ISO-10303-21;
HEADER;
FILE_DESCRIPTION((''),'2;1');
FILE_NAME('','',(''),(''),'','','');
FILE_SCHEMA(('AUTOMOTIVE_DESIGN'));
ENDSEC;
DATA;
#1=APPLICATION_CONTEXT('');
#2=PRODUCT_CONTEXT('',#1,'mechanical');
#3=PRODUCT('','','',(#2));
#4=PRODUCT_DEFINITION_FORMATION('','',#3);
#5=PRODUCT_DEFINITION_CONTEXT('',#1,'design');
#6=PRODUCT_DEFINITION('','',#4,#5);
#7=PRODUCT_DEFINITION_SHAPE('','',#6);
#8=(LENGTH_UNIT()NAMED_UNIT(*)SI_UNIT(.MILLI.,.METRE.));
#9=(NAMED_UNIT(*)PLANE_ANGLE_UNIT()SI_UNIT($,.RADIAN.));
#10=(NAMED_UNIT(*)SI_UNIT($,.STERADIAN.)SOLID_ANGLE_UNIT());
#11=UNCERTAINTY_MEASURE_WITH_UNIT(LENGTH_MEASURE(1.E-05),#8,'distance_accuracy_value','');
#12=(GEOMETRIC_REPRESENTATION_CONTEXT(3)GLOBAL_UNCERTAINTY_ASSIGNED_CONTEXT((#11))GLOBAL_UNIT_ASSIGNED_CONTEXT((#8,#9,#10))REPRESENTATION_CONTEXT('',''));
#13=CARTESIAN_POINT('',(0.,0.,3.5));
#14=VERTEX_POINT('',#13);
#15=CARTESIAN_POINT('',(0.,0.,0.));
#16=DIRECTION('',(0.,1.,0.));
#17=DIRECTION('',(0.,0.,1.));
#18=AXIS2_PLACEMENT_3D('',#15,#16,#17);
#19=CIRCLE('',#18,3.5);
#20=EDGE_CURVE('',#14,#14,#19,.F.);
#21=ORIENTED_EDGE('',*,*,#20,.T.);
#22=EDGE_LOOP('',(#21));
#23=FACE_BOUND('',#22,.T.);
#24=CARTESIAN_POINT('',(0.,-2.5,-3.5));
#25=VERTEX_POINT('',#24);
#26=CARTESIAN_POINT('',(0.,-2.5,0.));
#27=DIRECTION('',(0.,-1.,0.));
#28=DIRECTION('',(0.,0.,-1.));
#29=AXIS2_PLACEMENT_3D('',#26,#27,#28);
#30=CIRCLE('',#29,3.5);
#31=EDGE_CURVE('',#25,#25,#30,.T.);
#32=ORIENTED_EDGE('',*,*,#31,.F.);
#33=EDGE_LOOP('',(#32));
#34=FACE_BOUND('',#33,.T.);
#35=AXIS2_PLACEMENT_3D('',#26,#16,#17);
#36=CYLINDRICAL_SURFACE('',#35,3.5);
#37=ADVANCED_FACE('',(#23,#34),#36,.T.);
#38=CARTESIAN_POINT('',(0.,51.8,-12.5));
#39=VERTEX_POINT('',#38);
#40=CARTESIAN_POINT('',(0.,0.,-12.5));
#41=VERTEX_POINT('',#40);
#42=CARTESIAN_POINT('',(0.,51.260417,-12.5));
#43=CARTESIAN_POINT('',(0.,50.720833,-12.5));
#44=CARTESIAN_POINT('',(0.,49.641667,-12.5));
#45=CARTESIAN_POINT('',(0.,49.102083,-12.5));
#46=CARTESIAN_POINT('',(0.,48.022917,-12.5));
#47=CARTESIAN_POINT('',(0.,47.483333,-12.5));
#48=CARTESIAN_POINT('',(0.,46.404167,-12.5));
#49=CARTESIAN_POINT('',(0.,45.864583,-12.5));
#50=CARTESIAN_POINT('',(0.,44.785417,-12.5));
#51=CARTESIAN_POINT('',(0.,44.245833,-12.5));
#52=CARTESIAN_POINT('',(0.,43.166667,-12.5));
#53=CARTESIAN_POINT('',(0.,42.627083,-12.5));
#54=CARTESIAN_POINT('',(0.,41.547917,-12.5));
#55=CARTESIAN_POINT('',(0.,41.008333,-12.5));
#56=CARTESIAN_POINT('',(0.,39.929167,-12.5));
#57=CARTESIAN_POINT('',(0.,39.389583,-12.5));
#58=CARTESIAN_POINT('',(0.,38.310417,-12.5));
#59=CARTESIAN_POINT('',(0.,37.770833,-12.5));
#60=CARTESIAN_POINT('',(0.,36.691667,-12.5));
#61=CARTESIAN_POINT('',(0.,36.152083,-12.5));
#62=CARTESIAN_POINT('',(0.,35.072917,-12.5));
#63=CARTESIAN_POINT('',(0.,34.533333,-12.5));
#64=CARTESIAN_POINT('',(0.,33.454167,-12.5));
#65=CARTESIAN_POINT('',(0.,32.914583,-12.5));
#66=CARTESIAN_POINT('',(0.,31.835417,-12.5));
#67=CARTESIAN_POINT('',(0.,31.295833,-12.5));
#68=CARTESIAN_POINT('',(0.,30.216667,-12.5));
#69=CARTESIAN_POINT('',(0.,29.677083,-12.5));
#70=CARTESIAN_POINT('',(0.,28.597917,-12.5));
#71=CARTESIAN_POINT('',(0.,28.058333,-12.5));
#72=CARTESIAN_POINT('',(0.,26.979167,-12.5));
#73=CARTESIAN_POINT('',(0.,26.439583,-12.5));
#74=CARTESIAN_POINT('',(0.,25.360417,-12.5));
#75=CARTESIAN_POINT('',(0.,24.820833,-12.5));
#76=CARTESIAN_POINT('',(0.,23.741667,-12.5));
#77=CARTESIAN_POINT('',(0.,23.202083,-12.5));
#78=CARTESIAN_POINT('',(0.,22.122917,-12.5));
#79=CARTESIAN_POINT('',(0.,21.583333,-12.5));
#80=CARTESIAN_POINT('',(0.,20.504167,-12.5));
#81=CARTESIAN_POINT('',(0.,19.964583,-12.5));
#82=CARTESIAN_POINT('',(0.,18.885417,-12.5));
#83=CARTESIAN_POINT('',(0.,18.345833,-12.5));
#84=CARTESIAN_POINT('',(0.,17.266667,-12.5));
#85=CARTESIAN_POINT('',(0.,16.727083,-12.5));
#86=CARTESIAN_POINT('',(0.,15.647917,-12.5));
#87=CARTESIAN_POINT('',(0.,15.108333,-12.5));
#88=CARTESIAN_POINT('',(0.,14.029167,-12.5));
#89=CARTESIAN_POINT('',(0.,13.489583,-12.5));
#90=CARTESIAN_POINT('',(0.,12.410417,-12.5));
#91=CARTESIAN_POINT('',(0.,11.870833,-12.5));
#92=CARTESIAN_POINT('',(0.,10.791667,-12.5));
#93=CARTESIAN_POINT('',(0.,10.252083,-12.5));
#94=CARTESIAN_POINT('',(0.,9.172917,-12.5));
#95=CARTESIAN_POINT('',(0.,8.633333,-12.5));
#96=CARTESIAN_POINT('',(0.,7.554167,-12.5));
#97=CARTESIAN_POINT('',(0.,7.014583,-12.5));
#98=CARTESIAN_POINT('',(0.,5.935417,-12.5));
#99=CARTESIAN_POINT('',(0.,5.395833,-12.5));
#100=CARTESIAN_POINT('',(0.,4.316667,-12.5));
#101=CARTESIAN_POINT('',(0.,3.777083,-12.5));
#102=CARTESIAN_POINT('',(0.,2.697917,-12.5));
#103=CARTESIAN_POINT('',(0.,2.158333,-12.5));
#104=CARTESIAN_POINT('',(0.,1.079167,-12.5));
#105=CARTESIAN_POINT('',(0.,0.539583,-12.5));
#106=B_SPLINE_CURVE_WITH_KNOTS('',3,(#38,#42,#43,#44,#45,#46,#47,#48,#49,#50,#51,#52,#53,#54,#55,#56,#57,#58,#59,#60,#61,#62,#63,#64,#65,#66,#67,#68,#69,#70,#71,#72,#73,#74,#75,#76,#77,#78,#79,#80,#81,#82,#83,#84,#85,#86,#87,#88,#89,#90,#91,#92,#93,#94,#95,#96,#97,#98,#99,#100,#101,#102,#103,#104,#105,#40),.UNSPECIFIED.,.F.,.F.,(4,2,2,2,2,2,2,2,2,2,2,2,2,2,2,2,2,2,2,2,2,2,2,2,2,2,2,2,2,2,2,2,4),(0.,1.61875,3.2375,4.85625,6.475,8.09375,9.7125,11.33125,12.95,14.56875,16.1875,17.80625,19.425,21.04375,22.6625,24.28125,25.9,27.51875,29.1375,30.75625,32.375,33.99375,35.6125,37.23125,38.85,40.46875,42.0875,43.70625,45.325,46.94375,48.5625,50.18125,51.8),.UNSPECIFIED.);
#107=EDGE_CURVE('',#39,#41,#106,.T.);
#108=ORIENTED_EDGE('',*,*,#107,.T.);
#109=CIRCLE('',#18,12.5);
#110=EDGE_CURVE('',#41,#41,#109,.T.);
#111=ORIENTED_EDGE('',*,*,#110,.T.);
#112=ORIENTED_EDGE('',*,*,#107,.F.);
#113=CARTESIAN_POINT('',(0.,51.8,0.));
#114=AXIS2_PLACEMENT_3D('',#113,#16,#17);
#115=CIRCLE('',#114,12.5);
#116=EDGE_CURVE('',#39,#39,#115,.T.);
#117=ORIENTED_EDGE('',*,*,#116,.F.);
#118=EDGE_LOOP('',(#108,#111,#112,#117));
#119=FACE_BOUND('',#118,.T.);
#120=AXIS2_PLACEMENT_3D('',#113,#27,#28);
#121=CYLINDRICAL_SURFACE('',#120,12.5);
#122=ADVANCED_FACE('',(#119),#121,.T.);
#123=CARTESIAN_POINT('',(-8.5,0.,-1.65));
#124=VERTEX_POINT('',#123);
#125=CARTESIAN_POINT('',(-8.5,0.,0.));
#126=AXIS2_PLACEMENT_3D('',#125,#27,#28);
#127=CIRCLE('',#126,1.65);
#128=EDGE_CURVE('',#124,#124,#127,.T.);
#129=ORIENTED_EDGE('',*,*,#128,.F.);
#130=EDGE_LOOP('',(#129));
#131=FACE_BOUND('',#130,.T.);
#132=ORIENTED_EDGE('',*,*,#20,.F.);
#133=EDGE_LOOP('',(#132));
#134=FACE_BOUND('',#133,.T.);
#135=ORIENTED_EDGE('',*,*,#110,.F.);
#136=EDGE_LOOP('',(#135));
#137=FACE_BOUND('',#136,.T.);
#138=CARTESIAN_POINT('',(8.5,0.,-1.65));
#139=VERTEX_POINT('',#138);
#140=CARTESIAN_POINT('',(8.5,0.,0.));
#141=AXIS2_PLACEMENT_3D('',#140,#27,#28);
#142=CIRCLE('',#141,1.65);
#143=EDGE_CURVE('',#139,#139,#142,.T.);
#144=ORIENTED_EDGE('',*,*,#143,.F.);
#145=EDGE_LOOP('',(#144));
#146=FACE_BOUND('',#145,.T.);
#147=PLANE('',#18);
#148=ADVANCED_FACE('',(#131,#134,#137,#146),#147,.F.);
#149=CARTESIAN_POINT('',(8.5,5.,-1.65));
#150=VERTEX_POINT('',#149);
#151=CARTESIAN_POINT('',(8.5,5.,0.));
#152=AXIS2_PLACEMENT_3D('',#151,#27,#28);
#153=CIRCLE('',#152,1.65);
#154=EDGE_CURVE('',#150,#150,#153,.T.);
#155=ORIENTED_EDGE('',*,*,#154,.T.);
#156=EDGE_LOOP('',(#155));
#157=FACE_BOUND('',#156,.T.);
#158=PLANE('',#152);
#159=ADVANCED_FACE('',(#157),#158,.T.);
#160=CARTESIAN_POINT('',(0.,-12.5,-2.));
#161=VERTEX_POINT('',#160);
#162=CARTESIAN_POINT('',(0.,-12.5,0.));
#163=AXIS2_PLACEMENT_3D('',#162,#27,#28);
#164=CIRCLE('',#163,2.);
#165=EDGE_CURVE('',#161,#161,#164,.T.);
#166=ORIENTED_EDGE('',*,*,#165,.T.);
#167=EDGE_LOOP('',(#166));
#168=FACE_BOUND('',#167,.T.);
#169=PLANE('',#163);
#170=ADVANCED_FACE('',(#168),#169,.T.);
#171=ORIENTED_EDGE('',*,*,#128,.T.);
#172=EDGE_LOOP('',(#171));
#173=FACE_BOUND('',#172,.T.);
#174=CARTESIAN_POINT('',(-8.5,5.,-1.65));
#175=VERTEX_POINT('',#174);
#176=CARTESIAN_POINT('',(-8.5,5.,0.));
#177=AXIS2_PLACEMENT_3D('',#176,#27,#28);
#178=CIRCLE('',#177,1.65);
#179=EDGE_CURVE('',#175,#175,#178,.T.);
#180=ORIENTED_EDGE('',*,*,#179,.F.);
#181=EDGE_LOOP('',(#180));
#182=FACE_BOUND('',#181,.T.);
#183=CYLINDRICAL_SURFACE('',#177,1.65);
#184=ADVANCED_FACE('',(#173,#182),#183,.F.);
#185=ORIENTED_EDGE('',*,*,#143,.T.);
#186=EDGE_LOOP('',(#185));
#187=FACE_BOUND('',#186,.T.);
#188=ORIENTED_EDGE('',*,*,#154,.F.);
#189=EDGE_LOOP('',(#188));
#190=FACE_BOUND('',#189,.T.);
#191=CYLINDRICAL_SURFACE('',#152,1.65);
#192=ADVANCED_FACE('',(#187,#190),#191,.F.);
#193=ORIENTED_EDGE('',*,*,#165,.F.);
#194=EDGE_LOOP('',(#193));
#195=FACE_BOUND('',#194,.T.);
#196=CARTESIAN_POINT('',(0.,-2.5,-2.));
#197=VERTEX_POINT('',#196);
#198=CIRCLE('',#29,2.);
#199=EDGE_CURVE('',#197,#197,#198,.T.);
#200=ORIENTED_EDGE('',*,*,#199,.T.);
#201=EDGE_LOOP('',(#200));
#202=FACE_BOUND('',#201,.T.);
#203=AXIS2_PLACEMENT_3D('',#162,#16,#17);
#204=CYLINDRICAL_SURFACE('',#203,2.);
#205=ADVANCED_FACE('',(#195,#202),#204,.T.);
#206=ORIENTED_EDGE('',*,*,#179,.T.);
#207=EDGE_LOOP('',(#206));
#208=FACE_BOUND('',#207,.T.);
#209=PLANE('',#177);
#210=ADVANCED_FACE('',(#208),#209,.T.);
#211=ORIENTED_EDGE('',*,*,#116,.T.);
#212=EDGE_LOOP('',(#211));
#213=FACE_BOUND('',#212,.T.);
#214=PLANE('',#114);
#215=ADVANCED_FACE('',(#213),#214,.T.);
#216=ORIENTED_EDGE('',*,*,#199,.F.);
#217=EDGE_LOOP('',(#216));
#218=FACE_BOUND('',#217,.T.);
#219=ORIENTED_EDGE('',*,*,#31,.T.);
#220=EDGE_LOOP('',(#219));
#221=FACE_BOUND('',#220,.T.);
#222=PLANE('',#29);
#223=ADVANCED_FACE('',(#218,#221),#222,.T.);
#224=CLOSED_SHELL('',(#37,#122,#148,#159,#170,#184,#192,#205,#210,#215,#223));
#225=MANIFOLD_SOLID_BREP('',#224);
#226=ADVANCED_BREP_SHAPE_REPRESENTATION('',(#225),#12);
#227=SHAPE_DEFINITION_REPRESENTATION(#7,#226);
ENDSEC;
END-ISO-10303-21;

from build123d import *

# Parameters (mm, degrees)
SKETCH1_R           = 12.5
BOSS_EXTRUDE1_DEPTH = 51.8
SKETCH2_R           = 3.5
BOSS_EXTRUDE2_DEPTH = 2.5
SKETCH3_R           = 2
BOSS_EXTRUDE3_DEPTH = 10
SKETCH4_R           = 1.65
CUT_EXTRUDE1_DEPTH  = 5


with BuildPart() as part:
    # Sketch1 → Boss-Extrude1 (new body)
    with BuildSketch(Plane(origin=(0, 0, 0), x_dir=(1, 0, 0), z_dir=(0, 1, 0))):
        with Locations(Location((0, 0, 0), (0, 0, 90))):
            Circle(SKETCH1_R)
    extrude(amount=BOSS_EXTRUDE1_DEPTH)

    # Sketch2 → Boss-Extrude2 (add)
    with BuildSketch(Plane(origin=(0, 0, 0), x_dir=(-1, 0, 0), z_dir=(0, -1, 0))):
        with Locations(Location((0, 0, 0), (0, 0, 270))):
            Circle(SKETCH2_R)
    extrude(amount=BOSS_EXTRUDE2_DEPTH)

    # Sketch3 → Boss-Extrude3 (add)
    with BuildSketch(Plane(origin=(0, -2.5, 0), x_dir=(-1, 0, 0), z_dir=(0, -1, 0))):
        with Locations(Location((0, 0, 0), (0, 0, 90))):
            Circle(SKETCH3_R)
    extrude(amount=BOSS_EXTRUDE3_DEPTH)

    # Sketch4 → Cut-Extrude1 (cut)
    with BuildSketch(Plane(origin=(0, 0, 0), x_dir=(-1, 0, 0), z_dir=(0, -1, 0))):
        with Locations(Location((8.5, 0, 0), (0, 0, 90))):
            Circle(SKETCH4_R)
        with Locations(Location((-8.5, 0, 0), (0, 0, 90))):
            Circle(SKETCH4_R)
    extrude(amount=-CUT_EXTRUDE1_DEPTH, mode=Mode.SUBTRACT)


solid = part.part
